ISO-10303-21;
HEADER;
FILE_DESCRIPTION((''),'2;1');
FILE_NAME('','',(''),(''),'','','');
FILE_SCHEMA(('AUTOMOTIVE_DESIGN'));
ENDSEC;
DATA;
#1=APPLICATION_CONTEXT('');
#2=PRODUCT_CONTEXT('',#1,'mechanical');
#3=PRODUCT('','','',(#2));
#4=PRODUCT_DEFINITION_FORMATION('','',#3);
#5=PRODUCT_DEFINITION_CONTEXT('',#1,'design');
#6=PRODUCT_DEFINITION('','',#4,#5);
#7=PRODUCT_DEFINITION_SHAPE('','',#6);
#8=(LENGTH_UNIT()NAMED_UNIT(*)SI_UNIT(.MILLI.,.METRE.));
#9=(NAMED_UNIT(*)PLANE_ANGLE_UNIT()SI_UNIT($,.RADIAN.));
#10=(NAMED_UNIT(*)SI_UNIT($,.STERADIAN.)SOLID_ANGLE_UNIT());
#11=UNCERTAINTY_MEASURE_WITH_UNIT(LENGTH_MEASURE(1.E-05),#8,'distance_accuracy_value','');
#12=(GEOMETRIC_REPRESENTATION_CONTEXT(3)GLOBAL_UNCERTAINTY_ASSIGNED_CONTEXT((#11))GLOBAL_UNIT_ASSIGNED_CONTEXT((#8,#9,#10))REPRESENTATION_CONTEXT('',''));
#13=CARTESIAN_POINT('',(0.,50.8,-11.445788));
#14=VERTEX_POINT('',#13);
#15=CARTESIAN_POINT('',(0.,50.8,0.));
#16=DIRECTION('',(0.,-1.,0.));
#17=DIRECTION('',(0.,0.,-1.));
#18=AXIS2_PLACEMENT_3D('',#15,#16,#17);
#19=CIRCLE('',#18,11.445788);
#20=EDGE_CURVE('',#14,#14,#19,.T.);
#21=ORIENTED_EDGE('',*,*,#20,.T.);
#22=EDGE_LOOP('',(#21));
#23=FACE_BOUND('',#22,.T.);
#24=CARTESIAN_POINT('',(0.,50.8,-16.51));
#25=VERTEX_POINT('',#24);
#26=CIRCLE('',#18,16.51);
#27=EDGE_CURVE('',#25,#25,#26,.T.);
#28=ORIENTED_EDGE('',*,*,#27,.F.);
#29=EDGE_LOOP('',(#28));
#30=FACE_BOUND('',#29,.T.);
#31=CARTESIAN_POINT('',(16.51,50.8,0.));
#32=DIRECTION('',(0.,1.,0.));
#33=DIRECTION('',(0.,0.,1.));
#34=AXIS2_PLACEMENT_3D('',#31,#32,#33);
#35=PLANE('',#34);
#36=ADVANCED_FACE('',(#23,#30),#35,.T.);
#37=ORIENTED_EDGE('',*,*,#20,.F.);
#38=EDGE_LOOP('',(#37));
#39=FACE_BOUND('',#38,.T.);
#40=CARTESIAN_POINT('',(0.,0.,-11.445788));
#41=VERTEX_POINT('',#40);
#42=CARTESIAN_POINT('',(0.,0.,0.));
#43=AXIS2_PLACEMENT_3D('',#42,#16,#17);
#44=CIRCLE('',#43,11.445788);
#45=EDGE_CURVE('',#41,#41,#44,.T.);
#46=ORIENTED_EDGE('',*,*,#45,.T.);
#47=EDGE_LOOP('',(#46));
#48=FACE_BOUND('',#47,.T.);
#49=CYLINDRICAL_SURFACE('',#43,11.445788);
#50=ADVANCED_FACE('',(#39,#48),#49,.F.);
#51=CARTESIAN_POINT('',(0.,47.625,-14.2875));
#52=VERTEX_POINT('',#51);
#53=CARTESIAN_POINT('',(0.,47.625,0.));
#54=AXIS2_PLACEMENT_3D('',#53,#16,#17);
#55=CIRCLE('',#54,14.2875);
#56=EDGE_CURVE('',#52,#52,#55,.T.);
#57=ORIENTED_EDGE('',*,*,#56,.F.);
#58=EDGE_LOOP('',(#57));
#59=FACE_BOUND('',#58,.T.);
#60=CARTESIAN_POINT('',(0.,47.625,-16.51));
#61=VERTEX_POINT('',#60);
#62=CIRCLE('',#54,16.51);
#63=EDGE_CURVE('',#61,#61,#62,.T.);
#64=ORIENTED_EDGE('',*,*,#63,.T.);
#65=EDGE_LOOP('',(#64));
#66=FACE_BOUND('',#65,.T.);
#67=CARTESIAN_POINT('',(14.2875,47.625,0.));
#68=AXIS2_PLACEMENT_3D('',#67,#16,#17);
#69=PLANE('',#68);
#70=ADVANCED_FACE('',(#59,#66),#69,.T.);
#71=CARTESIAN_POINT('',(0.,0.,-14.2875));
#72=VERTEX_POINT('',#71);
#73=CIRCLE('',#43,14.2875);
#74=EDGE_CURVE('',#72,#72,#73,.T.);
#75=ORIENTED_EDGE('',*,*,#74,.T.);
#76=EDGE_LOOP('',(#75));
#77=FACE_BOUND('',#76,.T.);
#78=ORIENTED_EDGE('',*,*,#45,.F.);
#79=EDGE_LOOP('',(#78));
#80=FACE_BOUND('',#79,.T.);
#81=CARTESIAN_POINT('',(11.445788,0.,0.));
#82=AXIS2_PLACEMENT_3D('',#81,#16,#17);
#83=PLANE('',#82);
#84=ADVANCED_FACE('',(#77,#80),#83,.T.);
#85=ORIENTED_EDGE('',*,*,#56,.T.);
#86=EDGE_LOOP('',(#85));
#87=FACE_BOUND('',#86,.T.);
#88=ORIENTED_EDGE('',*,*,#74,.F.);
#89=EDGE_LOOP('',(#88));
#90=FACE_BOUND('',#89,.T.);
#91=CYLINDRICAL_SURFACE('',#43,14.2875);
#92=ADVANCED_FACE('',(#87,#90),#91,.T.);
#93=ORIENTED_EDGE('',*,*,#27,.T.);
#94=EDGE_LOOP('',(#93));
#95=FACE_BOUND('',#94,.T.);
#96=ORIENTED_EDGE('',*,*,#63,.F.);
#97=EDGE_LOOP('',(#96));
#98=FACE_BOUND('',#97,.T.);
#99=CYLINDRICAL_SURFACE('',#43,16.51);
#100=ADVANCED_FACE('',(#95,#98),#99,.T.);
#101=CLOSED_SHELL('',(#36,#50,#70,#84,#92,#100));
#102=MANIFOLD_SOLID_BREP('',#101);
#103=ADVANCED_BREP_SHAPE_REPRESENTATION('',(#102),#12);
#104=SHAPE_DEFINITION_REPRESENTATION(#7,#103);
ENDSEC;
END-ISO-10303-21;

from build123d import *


with BuildPart() as part:
    # Sketch1 → Revolve1 (revolve)
    with BuildSketch(Plane.XY, mode=Mode.PRIVATE) as revolve1_sk:
        Polygon((11.44578836, 50.8), (11.44578836, 0), (14.2875, 0), (14.2875, 47.625), (16.51, 47.625), (16.51, 50.8), align=None)
    revolve(revolve1_sk.sketch.rotate(Axis((0, 0, 0), (0, 1, 0)), 90), axis=Axis((0, 0, 0), (0, 1, 0)))


solid = part.part
